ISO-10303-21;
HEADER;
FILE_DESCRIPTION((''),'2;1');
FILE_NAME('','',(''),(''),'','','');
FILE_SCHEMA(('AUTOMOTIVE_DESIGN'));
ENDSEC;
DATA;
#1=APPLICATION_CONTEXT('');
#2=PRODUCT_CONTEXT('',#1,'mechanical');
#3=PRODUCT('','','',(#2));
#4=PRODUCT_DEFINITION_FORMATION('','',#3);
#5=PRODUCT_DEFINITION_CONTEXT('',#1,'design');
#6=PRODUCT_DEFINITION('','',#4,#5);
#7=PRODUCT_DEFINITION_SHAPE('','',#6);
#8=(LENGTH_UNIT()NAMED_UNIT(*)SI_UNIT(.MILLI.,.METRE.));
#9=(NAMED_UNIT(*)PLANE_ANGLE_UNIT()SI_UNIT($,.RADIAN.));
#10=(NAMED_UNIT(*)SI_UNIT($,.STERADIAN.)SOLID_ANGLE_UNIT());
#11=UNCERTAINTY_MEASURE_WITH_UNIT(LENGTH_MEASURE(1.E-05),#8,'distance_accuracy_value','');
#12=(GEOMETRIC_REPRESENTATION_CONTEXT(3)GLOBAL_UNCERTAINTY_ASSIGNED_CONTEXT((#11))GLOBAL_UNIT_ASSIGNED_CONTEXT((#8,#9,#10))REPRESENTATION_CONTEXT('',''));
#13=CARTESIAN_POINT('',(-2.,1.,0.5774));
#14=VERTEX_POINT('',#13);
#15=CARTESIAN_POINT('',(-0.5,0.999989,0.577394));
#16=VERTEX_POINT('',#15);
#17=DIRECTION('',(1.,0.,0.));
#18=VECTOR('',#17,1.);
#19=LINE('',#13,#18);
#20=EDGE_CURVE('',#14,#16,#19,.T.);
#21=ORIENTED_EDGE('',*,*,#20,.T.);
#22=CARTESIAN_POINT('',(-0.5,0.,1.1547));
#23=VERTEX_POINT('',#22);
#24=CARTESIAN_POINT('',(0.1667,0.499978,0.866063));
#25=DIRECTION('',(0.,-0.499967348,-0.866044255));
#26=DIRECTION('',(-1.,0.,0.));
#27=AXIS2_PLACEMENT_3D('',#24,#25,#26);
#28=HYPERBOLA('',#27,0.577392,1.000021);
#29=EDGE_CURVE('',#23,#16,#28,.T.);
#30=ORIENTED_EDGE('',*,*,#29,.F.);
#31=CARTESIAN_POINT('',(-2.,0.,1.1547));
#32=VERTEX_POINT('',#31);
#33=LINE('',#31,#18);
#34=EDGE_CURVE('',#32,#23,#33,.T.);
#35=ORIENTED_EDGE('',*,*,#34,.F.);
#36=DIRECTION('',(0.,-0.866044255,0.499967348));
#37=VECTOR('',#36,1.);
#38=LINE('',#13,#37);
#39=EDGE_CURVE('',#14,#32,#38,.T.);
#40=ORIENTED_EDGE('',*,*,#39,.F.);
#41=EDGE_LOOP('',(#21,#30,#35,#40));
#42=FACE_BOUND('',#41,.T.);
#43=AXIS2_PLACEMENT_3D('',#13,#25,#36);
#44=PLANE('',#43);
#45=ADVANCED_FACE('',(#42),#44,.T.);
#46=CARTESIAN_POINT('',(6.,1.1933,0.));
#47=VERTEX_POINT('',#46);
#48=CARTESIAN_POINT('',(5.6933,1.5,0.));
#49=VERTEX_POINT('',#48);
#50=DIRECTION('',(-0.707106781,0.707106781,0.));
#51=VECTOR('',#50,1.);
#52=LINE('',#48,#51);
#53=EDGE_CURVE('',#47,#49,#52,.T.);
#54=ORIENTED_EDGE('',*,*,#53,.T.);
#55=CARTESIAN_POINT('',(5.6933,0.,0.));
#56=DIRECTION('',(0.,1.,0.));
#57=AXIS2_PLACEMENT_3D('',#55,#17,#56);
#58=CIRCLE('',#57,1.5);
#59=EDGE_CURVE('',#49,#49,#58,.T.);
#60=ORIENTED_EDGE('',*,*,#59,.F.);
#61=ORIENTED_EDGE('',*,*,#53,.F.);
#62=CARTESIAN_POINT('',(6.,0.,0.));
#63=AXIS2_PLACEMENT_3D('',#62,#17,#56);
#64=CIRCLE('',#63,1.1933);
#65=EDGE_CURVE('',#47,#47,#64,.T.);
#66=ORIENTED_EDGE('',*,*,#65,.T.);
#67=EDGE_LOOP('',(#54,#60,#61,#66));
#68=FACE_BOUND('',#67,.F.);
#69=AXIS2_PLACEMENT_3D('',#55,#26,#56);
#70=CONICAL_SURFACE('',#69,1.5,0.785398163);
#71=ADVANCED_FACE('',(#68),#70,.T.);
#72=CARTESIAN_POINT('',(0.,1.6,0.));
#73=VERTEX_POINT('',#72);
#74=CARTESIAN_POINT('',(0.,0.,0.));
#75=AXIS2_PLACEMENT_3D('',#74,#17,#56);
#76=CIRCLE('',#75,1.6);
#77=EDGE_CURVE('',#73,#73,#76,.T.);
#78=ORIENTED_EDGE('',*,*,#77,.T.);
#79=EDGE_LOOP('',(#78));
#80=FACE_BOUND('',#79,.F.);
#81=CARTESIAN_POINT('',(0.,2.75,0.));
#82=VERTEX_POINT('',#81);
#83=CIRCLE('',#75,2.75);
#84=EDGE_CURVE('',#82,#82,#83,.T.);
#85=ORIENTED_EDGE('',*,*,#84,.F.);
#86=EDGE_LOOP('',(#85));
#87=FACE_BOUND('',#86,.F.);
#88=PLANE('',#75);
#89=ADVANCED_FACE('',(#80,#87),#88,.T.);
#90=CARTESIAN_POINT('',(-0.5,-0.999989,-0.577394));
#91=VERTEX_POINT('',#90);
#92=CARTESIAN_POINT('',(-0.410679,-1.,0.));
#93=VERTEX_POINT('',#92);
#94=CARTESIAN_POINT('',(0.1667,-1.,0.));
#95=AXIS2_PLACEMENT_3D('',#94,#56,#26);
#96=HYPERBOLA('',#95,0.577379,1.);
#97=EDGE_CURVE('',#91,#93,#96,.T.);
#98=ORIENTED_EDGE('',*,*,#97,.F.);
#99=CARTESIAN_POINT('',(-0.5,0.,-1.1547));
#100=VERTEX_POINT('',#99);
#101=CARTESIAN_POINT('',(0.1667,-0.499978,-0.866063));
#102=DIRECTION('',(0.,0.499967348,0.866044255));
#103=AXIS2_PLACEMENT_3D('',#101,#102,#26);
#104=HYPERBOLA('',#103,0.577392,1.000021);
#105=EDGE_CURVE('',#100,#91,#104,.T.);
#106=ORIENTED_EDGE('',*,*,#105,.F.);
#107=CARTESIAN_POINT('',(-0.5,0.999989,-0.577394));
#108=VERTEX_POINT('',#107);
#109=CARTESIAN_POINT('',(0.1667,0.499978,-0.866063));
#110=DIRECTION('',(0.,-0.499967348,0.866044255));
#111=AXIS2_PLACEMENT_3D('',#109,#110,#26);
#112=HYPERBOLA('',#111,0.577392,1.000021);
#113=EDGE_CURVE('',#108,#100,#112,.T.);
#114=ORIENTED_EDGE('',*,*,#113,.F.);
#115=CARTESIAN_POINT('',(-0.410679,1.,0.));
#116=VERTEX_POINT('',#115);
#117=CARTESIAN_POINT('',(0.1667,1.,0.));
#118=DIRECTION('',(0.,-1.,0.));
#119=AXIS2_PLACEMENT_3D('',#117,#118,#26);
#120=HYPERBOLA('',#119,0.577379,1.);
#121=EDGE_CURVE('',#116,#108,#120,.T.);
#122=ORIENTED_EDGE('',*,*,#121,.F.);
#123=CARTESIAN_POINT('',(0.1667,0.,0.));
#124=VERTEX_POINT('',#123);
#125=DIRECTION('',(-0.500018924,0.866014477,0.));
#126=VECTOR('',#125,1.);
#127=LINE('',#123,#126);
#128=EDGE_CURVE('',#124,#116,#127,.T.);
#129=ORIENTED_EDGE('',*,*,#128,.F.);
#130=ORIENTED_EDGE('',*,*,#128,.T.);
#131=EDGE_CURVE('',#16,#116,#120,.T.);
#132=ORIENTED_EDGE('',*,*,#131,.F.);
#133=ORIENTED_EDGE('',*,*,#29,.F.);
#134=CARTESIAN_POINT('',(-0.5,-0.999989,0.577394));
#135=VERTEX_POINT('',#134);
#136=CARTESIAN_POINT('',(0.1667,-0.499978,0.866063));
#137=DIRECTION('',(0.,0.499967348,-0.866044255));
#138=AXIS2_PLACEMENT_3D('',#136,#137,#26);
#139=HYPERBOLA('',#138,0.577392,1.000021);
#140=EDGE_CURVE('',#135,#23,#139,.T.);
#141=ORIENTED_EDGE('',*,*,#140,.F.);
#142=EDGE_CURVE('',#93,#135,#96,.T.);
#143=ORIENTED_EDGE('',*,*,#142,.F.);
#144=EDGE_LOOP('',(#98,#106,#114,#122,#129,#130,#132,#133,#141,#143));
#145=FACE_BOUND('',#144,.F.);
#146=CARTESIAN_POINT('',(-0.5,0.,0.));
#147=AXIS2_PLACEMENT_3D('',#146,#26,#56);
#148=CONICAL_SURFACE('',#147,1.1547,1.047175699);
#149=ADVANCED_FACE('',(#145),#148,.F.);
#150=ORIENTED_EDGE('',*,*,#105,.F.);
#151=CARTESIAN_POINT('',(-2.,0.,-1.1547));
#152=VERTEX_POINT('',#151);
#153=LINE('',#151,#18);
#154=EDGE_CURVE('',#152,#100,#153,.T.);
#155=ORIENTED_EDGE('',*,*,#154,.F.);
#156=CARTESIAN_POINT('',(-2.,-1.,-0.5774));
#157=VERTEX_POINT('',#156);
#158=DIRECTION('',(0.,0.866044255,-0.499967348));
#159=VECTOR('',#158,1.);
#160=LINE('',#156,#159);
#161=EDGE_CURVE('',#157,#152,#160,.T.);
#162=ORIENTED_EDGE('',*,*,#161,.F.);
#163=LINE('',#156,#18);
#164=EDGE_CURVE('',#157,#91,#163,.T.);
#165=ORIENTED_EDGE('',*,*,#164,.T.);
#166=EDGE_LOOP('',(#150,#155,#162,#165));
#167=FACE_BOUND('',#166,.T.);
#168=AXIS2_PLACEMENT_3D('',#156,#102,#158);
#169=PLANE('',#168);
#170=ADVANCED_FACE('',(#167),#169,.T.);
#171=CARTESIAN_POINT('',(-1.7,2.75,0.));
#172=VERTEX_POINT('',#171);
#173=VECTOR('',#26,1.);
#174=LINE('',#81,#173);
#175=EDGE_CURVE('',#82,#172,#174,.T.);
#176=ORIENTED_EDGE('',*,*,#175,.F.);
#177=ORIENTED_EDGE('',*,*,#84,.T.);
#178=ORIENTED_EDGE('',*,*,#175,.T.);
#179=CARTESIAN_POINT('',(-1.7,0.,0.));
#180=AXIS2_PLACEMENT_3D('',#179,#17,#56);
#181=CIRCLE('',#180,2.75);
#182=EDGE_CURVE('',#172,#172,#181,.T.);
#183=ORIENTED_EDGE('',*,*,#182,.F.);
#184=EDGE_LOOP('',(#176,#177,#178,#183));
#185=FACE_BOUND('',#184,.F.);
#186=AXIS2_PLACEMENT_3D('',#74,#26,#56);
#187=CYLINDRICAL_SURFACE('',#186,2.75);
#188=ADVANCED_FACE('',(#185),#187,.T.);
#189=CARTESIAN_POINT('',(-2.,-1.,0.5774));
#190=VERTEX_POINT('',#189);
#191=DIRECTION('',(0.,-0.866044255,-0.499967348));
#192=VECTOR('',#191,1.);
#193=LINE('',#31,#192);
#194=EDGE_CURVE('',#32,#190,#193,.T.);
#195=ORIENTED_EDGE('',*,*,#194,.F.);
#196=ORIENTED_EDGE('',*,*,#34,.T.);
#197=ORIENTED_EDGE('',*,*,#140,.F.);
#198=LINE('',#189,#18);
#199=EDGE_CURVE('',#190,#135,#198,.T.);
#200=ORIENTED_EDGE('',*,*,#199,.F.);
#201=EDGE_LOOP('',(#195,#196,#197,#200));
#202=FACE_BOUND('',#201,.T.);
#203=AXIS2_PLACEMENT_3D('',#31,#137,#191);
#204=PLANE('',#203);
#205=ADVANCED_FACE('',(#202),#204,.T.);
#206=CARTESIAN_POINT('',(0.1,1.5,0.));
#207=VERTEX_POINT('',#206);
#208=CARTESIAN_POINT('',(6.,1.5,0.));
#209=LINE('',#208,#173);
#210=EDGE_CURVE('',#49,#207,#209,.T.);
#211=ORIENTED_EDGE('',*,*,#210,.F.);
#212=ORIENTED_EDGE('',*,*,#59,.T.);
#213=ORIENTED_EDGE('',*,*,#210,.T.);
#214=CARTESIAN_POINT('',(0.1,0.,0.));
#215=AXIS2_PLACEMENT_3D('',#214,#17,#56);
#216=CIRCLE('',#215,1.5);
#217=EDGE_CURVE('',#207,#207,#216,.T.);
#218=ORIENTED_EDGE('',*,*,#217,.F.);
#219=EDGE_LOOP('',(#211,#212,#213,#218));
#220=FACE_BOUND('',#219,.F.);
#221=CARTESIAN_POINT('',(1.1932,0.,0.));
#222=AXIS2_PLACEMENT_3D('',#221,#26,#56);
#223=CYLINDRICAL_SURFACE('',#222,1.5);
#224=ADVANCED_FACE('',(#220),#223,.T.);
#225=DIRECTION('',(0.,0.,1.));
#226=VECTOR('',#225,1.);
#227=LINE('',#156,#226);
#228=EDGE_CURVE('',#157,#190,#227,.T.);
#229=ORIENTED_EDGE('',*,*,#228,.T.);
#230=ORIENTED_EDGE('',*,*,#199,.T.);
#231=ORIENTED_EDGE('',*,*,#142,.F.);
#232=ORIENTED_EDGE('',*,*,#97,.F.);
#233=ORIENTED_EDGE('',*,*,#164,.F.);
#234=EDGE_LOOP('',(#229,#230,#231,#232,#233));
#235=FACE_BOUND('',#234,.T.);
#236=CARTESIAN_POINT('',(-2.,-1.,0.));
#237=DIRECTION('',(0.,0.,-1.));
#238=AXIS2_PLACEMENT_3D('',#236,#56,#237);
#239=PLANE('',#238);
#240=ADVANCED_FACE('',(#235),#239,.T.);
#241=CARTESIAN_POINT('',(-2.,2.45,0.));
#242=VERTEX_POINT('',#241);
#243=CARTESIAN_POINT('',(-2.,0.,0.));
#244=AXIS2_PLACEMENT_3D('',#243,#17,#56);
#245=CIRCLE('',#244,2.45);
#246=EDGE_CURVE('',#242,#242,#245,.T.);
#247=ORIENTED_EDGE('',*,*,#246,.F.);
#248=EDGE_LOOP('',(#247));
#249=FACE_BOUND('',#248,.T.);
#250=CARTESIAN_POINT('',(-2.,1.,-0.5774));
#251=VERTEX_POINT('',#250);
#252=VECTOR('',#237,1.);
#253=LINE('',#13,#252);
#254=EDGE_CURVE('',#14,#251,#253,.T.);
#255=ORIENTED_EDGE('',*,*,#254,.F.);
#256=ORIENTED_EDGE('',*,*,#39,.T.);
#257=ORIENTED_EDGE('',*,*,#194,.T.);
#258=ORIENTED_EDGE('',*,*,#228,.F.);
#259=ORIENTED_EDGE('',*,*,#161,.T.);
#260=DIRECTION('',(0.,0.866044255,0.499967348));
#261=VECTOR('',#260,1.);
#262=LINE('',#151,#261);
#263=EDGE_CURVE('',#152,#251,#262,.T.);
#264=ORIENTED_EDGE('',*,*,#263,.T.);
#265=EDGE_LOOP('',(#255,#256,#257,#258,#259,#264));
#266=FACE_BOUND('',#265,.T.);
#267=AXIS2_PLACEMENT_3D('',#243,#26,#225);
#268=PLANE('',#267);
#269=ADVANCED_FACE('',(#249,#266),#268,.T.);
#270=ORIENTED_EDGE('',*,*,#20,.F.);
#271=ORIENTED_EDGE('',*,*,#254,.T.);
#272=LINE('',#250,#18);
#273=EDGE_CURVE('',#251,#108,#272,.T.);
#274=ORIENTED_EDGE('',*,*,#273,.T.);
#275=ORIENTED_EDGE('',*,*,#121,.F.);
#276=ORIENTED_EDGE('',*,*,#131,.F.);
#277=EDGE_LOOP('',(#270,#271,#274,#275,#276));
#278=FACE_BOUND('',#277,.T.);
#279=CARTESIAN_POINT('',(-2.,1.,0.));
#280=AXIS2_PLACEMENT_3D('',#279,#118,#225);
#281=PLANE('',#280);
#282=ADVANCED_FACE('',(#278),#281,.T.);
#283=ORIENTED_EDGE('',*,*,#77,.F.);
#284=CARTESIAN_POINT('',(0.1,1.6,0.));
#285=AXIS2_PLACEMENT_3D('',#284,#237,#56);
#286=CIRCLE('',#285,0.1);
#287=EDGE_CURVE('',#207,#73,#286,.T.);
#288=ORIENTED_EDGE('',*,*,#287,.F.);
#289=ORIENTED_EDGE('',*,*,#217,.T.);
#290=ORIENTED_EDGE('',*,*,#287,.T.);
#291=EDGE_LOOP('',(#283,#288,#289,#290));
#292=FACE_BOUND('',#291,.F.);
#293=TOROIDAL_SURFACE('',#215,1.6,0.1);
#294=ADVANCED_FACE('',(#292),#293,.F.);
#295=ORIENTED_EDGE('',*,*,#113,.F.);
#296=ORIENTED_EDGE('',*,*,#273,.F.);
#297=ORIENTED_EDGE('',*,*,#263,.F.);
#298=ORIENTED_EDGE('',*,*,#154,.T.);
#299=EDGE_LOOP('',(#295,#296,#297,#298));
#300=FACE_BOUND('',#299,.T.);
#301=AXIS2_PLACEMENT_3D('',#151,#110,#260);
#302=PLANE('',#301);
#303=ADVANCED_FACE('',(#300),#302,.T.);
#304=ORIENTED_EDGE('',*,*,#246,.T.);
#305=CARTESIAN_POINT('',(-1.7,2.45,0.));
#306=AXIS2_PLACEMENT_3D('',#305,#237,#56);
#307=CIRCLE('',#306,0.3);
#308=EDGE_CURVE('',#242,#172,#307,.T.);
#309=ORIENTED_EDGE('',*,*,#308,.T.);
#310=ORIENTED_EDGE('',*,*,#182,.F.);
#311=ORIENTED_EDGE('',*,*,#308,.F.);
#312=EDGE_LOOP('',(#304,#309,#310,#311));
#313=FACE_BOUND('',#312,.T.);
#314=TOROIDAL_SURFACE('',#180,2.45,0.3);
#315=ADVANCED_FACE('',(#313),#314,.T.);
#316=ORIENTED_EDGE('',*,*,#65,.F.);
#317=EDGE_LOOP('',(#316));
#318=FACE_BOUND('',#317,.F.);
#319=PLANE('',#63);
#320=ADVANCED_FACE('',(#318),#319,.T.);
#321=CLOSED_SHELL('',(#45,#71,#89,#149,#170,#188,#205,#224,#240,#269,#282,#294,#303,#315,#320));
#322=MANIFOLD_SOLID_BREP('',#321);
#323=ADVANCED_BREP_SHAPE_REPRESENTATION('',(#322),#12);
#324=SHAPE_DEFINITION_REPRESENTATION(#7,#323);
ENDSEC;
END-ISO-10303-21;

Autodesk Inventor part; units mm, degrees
ref_plane "YZ Plane" through (0, 0, 0) normal (1, 0, 0) x (0, 1, 0)
ref_plane "XZ Plane" through (0, 0, 0) normal (0, 1, 0) x (-1, 0, 0)
sketch "Skizze1" plane through (0, 0, 0) normal (0, 0, 1) x (1, 0, 0)
  line L0 (0.1667, 0) -> (6, 0)
  line L1 (6, 0) -> (6, 1.5)
  line L2 (6, 1.5) -> (1.5, 1.5)
  line L3 (1.5, 1.5) -> (1.1932, 1.5)
  line L4 (1.1932, 1.5) -> (0, 1.5)
  line L5 (0, 1.5) -> (0, 2.75)
  line L6 (0, 2.75) -> (-2, 2.75)
  line L7 (-2, 2.75) -> (-2, 1.1547)
  line L8 (-2, 1.1547) -> (-0.5, 1.1547)
  line L9 (-0.5, 1.1547) -> (0.1667, 0)
  line L10 (-3.6, 0) -> (7.6, 0) projected
  line L11 (0, -0.55) -> (0, 3.3) projected
  line L12 (1.5, 1.5) -> (0, 1.5) construction
  dimension "d1" = 4.5
  dimension "d2" = 0.3068
  dimension "d3" = 2
  dimension "d4" = 1.5
  dimension "d5" = 60
  dimension "d6" = 3
  dimension "d7" = 3
  dimension "d8" = 2.3094
  dimension "d9" = 5.5
  dimension "d26" = 6
revolve "Körper" add sketch "Skizze1" angle 360 about axis through (0.1667, 0, 0) along (1, 0, 0) contours L9 L11 L4 L3 L2 L1 L0 | L9 L8 L7 L6 L5 L11
sketch "Skizze2" plane through (-2, 0, 0) normal (-1, 0, 0) x (0, 0, 1)
  circle A0 centre (0, 0) radius 1.1547 projected
  line L0 (0, -3.85) -> (0, 3.85) projected
  line L1 (-3.85, 0) -> (3.85, 0) projected
  line L2 (1.1547, 0) -> (0.5774, -1)
  line L3 (0.5774, -1) -> (-0.5774, -1)
  line L4 (-0.5774, -1) -> (-1.1547, 0)
  line L5 (-1.1547, 0) -> (-0.5774, 1)
  line L6 (-0.5774, 1) -> (0.5774, 1)
  line L7 (0.5774, 1) -> (1.1547, 0)
extrude "Loch" add sketch "Skizze2" against normal up to next contours L7 A0 | A0 L2 | L6 L0 A0 | A0 L0 L3 | L0 L6 A0 | A0 L3 L0 | L4 A0 | A0 L5
fillet "Rundung1" radius 0.3 1 edges at (-2, -2.75, 0)
thread "Gewinde" size "M3x0.5" class "6g" standard "ISO Metric profile" length 4.5
chamfer "Fase1" distance 0.3067 distance2 0.3067 1 edges at (6, -1.5, 0) measured on face at (6, -0.2617, -0.7882)
ref_plane "Work Plane1" through (29, 0, 0) normal (0, -1, 0) x (1, 0, 0)
fillet "Fillet2" radius 0.1 1 edges at (0, -1.5, 0)
equation "\"d1\" = GEL"
equation "\"d3\" = KOH"
equation "\"d4\" = INTI"
equation "\"d6\" = GD"
equation "\"d7\" = BDM"
equation "\"d8\" = 1.1547 * SW"
equation "\"d9\" = KOD"
equation "\"d26\" = NLG"
equation "\"d30\" = R"
equation "\"d17\" = RR"
equation "\"d13\" = GEL"
equation "\"d15\" = -0.5 * SPD + 0.5 * GD"
equation "\"d16\" = GUL"
equation "\"GD\" = NND"
equation "\"NLG\" = 6"
equation "\"GEL\" = 4.5"
equation "\"KOD\" = 5.5"
equation "\"KOH\" = 2"
equation "\"INTI\" = 1.5"
equation "\"GAL\" = 0.61345 * PTC"
equation "\"GUL\" = 0.61345 * PTC"
equation "\"BDM\" = NND"
equation "\"SW\" = 2"
equation "\"RR\" = 0.3"
equation "\"SPD\" = NND - 1.2269 * PTC"
equation "\"R\" = 0.1"
equation "\"TOA\" = 30deg"
equation "\"GD1\" = THREADDIA - 1.2269 * PTC"
equation "\"THREADDIA\" = 3"
equation "\"FAWI\" = 45deg"
equation "\"ANG\" = 120deg"
equation "\"PTC\" = 0.5"
equation "\"NND\" = 3"
equation "\"E0\" = 1.155 * SW"
properties part number "DIN 7984 - M3 x 6" material "Stahl, weich"
